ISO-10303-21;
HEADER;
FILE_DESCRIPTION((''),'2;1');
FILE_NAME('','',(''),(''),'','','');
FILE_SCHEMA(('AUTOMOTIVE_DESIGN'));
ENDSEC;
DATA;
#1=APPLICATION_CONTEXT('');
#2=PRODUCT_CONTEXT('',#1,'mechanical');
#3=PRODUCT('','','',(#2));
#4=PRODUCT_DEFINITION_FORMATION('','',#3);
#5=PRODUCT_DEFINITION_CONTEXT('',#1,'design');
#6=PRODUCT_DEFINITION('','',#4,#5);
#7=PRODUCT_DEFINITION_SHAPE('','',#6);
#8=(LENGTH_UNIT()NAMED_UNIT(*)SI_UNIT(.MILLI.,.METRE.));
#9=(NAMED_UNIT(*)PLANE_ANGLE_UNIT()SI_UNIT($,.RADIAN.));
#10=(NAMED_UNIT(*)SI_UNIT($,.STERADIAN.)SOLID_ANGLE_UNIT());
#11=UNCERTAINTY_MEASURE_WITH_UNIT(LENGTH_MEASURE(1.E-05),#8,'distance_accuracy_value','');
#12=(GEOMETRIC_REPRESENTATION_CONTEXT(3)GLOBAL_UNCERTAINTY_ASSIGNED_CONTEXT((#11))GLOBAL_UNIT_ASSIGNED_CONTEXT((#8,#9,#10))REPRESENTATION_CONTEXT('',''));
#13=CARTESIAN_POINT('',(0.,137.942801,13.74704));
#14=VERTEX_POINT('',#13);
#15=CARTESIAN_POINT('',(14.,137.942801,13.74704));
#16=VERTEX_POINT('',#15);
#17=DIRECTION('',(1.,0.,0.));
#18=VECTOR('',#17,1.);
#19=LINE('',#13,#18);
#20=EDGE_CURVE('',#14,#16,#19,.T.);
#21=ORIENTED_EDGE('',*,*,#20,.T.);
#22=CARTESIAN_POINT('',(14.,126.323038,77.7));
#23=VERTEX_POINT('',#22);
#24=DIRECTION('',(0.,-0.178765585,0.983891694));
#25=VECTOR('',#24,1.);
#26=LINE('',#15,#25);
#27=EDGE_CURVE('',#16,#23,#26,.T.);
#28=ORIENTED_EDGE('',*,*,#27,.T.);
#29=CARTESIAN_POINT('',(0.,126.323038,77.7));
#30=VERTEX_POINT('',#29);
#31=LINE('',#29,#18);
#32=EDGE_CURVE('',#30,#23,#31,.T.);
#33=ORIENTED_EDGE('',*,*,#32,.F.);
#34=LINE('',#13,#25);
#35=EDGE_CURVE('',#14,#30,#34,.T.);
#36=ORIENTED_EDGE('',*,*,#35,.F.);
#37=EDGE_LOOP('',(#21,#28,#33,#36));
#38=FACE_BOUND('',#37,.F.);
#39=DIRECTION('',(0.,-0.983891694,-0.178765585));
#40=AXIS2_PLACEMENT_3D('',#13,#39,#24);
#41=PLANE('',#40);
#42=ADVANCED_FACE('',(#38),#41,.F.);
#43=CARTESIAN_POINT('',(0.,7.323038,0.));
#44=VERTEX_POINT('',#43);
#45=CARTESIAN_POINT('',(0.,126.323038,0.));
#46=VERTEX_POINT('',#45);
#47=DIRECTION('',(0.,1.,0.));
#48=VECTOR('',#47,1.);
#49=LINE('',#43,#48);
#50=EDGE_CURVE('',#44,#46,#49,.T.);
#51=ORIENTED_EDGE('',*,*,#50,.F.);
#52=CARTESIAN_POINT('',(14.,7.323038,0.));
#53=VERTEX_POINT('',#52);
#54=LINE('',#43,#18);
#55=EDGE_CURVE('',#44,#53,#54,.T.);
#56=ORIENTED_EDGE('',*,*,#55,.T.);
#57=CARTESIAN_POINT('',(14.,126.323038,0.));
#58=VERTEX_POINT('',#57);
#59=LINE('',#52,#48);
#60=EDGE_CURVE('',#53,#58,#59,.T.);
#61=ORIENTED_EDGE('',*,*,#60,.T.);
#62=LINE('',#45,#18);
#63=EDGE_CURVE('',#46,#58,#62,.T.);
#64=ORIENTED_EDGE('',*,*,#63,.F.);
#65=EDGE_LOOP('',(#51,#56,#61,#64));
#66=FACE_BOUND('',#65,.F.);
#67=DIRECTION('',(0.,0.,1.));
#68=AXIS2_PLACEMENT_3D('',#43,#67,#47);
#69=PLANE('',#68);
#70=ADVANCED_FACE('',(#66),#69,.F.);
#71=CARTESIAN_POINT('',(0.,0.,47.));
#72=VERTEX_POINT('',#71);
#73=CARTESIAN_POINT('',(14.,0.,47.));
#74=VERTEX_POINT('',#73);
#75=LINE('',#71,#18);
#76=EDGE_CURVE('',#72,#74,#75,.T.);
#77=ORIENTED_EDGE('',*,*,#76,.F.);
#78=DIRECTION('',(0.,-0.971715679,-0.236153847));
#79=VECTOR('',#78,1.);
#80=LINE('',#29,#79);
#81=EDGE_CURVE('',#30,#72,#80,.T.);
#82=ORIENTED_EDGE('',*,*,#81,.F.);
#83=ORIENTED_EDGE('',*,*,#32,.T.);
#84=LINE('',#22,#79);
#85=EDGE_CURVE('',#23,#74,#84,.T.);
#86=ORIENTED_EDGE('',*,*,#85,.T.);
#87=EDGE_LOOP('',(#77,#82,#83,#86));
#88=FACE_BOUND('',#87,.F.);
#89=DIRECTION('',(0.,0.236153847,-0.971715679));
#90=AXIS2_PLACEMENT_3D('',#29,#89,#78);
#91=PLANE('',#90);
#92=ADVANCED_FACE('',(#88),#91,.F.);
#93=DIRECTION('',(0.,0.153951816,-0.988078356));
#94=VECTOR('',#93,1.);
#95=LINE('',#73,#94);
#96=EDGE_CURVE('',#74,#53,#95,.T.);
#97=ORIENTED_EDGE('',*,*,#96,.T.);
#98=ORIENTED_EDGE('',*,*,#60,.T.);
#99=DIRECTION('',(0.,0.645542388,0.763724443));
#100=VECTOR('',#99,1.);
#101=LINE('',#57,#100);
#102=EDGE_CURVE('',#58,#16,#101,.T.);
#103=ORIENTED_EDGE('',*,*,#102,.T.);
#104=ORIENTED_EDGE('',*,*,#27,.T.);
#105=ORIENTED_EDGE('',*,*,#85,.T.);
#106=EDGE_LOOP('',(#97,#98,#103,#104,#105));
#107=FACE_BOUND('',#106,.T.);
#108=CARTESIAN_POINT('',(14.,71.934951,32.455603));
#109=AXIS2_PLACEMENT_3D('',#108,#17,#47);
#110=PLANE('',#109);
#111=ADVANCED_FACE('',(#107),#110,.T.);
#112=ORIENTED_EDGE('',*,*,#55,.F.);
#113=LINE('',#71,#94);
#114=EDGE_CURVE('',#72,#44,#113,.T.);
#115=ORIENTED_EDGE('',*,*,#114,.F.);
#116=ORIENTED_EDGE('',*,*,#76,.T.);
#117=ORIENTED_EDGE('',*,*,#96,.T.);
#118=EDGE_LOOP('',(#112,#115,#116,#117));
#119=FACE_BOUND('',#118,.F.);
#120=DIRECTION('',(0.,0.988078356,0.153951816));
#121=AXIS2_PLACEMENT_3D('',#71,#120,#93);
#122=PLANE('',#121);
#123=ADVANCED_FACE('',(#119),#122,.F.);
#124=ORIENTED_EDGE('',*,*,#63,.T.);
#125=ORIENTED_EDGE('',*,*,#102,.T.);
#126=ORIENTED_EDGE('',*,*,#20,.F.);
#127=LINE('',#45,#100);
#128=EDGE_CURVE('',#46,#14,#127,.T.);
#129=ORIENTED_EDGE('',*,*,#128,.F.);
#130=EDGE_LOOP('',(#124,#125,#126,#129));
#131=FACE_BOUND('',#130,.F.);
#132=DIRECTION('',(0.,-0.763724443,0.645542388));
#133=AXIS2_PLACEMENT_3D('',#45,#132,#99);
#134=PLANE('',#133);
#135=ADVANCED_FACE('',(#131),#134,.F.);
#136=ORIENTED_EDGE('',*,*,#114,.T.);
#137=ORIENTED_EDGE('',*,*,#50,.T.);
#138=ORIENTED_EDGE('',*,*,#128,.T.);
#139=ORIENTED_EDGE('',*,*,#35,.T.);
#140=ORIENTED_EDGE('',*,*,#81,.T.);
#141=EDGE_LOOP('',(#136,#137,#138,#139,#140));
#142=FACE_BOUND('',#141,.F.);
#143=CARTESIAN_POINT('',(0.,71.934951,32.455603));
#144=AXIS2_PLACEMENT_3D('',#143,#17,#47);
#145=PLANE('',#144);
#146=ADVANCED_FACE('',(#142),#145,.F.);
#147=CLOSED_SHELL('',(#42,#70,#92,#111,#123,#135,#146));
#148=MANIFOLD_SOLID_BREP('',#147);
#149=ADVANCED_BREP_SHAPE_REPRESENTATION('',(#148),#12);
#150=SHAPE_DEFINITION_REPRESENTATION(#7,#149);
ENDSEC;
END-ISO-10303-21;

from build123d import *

# Parameters (mm, degrees)
PAD_DEPTH = 14


with BuildPart() as part:
    # Sketch → Pad (new body)
    with BuildSketch(Plane.YZ):
        Polygon((7.323038, 0), (126.323038, 0), (137.942801, 13.74704), (126.323038, 77.7), (0, 47), align=None)
    extrude(amount=PAD_DEPTH)


solid = part.part
